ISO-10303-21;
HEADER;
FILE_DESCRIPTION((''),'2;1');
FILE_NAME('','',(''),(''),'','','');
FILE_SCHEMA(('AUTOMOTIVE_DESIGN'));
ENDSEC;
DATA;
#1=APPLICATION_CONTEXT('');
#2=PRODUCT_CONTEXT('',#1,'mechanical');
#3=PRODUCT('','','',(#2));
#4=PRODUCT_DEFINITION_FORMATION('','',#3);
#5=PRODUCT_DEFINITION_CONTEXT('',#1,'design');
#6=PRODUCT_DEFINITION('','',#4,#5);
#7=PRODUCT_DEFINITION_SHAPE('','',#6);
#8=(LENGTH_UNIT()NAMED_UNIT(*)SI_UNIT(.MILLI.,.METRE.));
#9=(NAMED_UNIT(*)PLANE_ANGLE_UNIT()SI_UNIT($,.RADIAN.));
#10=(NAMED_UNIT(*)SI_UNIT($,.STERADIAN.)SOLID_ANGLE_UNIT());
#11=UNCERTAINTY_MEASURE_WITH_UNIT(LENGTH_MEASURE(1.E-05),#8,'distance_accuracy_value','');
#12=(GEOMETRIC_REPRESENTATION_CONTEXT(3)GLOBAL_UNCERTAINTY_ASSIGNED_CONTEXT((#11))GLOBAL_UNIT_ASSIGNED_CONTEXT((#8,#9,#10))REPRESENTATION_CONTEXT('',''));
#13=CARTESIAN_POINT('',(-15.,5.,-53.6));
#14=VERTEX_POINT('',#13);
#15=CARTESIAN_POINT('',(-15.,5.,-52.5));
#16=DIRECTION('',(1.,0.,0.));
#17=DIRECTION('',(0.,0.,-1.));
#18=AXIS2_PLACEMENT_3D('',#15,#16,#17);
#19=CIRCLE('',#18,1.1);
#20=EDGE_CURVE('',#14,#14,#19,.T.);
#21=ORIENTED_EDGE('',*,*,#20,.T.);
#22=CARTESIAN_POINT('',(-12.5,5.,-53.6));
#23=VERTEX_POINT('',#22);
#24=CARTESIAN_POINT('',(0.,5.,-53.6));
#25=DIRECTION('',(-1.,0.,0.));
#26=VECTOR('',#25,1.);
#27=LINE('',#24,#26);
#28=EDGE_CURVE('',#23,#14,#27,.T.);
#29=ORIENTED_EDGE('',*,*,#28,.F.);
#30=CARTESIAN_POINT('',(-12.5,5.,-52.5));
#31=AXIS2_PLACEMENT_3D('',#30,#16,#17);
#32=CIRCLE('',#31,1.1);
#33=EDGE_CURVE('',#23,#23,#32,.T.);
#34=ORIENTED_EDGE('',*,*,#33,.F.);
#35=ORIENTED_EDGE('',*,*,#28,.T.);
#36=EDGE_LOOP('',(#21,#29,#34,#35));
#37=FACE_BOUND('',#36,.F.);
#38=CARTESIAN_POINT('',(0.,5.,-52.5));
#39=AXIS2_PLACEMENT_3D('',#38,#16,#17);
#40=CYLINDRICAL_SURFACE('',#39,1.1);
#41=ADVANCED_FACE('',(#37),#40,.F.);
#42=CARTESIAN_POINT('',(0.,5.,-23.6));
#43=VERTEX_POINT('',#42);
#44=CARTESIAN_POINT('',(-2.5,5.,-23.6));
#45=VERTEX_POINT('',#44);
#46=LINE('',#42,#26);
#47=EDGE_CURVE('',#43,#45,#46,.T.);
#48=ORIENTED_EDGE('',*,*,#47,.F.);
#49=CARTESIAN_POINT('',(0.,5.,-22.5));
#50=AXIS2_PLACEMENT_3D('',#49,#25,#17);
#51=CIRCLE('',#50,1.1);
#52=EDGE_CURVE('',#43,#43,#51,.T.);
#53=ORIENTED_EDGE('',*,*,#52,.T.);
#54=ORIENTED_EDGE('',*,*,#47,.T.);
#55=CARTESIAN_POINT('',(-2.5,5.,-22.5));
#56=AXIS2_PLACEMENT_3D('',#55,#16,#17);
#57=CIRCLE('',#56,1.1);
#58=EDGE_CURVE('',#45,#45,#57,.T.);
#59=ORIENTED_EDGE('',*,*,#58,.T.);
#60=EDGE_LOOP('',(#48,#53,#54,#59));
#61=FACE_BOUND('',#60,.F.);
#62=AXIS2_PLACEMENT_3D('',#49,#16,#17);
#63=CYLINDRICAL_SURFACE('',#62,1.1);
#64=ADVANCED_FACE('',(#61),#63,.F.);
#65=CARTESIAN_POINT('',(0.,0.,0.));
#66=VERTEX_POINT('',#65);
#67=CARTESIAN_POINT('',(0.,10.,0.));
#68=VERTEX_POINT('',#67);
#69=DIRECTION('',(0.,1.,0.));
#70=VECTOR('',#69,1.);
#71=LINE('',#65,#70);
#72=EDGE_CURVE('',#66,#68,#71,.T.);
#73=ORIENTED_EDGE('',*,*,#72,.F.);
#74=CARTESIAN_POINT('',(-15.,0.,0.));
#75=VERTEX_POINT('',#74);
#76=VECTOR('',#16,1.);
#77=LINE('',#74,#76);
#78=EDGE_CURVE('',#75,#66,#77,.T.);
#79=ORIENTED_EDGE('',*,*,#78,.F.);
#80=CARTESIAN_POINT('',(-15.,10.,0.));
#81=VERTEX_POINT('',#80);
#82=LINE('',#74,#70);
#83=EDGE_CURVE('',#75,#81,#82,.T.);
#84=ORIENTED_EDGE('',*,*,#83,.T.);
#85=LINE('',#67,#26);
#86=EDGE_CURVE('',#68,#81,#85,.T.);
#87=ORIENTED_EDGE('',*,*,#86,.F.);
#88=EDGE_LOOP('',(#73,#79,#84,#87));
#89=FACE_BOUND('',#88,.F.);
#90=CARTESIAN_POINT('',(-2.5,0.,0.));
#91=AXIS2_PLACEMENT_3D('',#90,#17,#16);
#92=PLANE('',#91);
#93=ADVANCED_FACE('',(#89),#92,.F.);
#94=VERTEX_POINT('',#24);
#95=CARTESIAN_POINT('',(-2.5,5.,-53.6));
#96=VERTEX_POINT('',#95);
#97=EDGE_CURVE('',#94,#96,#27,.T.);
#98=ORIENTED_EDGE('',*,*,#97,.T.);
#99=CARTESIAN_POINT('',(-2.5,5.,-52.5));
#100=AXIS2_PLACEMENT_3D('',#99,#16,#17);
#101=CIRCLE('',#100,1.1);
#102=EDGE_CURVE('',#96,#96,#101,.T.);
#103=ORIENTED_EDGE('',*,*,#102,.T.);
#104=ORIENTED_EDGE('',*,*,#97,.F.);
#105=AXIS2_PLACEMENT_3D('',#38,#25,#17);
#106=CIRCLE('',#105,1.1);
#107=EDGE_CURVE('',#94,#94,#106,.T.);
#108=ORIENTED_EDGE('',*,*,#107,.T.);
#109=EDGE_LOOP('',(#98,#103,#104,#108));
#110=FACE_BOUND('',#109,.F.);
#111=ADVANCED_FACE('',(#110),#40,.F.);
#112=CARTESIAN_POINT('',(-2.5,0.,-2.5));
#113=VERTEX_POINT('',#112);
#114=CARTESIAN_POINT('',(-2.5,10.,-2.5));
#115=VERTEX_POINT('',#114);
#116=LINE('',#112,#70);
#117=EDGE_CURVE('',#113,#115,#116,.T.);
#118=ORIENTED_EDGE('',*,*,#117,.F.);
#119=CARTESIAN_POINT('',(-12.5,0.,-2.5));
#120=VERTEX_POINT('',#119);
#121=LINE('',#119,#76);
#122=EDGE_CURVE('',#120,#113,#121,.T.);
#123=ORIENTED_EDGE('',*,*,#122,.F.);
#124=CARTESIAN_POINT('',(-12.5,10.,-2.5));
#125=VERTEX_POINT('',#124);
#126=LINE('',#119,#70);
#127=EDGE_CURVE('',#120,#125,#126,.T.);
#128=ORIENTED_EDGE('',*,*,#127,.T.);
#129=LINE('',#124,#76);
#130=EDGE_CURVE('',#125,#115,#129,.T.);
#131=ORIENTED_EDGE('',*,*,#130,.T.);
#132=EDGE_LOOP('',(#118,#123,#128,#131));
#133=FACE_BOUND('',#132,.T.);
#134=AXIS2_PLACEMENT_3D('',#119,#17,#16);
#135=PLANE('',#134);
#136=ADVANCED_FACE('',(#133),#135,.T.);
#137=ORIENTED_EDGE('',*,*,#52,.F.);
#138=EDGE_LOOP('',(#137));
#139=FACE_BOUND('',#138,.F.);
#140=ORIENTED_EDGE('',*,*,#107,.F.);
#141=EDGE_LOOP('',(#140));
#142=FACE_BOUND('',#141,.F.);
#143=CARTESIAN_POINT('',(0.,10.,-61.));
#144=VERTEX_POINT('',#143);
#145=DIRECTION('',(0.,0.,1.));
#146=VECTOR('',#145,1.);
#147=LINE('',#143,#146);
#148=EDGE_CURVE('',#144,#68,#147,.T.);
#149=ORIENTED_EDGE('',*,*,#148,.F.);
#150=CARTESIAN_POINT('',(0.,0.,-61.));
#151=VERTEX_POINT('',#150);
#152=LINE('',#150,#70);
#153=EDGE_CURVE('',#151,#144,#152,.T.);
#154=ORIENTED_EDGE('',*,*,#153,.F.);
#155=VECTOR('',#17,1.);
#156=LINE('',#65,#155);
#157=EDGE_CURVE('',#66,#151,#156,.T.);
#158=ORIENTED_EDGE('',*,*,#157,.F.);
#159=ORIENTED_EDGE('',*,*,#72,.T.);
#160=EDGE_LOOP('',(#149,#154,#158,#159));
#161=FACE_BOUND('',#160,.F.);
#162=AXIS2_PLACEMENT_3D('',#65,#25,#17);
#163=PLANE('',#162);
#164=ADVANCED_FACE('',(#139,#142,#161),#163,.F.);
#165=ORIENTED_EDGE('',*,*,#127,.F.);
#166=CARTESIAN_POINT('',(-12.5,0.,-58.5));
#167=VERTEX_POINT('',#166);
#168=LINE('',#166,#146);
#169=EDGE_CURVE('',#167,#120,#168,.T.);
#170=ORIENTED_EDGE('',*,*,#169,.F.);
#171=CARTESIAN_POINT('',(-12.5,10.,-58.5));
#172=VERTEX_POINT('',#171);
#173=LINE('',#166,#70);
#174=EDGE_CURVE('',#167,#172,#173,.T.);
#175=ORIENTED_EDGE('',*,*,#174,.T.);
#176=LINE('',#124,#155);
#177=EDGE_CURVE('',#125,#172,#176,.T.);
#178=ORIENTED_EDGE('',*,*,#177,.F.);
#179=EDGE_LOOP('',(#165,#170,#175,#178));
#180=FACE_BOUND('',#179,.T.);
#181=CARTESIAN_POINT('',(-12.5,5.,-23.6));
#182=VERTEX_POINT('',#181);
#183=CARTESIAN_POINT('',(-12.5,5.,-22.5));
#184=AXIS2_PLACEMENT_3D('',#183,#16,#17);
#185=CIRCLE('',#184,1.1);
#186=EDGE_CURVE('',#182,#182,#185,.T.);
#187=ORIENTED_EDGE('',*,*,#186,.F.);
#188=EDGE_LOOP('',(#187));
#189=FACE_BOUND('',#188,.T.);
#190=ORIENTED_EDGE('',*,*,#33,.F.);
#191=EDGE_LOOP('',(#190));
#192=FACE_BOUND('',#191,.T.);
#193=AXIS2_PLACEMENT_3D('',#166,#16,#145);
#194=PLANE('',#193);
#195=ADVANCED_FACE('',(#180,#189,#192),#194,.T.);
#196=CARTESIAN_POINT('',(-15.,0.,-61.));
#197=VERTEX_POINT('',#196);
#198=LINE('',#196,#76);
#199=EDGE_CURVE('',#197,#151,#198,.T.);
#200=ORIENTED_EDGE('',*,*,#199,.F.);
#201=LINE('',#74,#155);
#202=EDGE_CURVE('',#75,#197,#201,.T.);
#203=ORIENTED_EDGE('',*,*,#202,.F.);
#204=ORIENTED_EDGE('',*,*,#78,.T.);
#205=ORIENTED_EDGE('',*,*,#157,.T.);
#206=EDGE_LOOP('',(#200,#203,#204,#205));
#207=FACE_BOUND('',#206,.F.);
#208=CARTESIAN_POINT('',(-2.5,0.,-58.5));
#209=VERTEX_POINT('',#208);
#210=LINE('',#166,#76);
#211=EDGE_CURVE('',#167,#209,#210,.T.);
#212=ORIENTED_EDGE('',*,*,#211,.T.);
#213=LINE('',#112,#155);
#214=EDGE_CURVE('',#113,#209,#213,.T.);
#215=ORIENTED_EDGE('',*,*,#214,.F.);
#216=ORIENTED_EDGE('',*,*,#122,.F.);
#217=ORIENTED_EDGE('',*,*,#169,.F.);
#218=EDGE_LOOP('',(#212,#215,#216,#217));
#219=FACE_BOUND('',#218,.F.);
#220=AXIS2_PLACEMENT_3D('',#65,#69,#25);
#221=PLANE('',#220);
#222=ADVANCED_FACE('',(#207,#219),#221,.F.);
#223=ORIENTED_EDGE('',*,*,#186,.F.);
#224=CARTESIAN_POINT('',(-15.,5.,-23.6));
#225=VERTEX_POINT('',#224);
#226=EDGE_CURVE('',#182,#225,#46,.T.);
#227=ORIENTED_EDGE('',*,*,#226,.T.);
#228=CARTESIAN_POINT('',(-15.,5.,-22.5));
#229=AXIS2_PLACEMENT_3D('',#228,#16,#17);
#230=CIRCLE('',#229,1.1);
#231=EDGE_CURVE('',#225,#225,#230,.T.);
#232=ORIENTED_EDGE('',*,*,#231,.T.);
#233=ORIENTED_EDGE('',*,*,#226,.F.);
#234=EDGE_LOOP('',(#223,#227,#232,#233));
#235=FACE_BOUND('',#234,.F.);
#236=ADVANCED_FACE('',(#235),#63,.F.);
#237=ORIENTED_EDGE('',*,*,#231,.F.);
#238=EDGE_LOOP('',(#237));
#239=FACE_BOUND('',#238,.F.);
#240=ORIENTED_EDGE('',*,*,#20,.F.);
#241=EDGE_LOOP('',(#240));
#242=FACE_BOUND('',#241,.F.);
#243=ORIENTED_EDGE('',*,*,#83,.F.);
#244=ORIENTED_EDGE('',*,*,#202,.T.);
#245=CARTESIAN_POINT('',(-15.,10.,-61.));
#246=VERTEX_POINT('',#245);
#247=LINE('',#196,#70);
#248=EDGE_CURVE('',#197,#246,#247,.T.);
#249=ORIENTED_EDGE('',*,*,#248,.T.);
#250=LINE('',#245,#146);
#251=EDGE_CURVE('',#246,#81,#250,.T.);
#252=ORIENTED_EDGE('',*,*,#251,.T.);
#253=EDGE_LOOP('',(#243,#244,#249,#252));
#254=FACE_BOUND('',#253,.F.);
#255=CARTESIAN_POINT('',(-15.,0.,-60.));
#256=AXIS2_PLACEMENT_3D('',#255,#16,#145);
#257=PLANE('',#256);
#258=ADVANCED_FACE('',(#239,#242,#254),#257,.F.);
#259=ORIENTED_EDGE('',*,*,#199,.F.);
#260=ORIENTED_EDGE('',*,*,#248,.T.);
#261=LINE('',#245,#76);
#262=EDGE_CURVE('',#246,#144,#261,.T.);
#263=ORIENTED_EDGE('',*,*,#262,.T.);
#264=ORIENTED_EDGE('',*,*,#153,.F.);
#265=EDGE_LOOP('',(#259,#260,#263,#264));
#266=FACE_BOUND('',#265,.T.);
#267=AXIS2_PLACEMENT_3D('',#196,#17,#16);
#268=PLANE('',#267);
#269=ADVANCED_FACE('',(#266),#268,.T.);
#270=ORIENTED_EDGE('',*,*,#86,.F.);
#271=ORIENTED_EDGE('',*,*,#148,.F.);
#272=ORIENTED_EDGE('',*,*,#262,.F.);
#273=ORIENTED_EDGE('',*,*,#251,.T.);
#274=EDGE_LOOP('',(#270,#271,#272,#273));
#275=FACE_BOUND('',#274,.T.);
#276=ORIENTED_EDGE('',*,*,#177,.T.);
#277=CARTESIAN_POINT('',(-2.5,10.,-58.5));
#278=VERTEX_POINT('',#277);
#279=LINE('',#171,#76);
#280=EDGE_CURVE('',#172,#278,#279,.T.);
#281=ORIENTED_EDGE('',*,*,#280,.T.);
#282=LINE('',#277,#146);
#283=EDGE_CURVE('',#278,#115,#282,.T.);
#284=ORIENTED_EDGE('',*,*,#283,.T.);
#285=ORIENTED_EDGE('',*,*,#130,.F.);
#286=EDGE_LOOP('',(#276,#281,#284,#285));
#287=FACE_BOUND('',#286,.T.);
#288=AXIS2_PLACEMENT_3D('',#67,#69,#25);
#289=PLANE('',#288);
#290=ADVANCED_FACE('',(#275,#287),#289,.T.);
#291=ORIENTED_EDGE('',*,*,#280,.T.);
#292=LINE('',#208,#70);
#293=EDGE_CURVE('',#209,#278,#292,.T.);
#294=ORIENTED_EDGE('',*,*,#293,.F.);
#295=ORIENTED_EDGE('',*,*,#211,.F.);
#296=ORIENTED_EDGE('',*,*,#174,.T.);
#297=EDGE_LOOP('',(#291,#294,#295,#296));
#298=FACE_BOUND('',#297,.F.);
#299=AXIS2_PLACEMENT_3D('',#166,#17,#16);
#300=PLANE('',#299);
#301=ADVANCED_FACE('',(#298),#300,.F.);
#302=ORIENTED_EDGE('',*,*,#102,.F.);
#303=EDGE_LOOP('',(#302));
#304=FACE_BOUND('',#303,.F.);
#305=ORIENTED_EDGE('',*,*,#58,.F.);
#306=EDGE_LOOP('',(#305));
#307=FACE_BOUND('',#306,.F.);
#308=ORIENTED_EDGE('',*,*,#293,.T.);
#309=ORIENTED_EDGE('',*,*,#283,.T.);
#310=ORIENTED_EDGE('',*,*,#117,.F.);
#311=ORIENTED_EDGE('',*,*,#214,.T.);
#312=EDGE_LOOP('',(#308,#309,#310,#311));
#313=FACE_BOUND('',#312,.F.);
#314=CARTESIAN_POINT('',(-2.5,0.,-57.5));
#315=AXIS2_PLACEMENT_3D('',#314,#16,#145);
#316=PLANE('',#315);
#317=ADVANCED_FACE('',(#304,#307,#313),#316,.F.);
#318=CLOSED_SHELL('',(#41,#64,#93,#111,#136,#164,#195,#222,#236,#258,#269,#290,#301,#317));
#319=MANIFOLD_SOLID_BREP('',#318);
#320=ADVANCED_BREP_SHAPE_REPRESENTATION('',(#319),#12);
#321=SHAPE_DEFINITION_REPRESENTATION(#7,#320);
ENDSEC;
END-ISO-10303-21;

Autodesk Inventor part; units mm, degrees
ref_plane "YZ Plane" through (0, 0, 0) normal (1, 0, 0) x (0, 1, 0)
ref_plane "XZ Plane" through (0, 0, 0) normal (0, 1, 0) x (-1, 0, 0)
ref_plane "XY Plane" through (0, 0, 0) normal (0, 0, 1) x (1, 0, 0)
sketch "Sketch1" plane through (0, 0, 0) normal (0, 1, 0) x (-1, 0, 0)
  line L0 (0, 0) -> (0, -60)
  line L1 (0, -60) -> (15, -60)
  line L2 (15, -60) -> (15, 0)
  line L3 (15, 0) -> (0, 0)
  line L4 (7.5, -60) -> (12.5, -60)
  line L5 (12.5, -60) -> (12.5, 0)
  line L6 (7.5, -60) -> (2.5, -60)
  line L7 (2.5, -60) -> (2.5, 0)
  line L8 (12.5, 0) -> (12.5, -2.5)
  line L9 (12.5, -2.5) -> (2.5, -2.5)
  line L10 (12.5, -60) -> (12.5, -57.5)
  line L11 (12.5, -57.5) -> (2.5, -57.5)
  line L12 (15, -60) -> (15, -61)
  line L13 (15, -61) -> (0, -61)
  line L14 (0, -61) -> (0, -60)
  line L15 (12.5, -57.5) -> (12.5, -58.5)
  line L16 (12.5, -58.5) -> (2.5, -58.5)
  dimension "d0" = 60
  dimension "d1" = 15
  dimension "d2" = 5
  dimension "d3" = 5
  dimension "d4" = 2.5
  dimension "d5" = 2.5
  dimension "d12" = 1
  dimension "d13" = 1
extrude "Extrusion1" add sketch "Sketch1" along normal blind 10 contours L3 L7 L1 L0 | L1 L12 L13 L14 | L3 L5 L9 L7 | L7 L16 L5 L1 | L3 L2 L1 L5
sketch "Sketch2" plane through (0, 0, 0) normal (1, 0, 0) x (0, 0, -1)
  line L0 (61, 10) -> (0, 10) projected
  line L1 (57.5, 0) -> (57.5, 10) projected
  line L2 (60, 10) -> (57.5, 10)
  line L3 (57.5, 10) -> (57.5, 0)
  line L4 (57.5, 0) -> (47.5, 0)
  line L5 (2.5, 0) -> (58.5, 0) projected
  line L6 (47.5, 0) -> (47.5, 10)
  line L7 (2.5, 10) -> (58.5, 10) projected
  line L8 (47.5, 10) -> (57.5, 10)
  line L9 (47.5, 0) -> (57.5, 10)
  line L10 (47.5, 10) -> (57.5, 0)
  circle A0 centre (52.5, 5) radius 1.1
  line L11 (61, 10) -> (60, 10)
  line L12 (60, 10) -> (57.5, 10)
  line L13 (52.5, 5) -> (0, 5)
  line L14 (0, 0) -> (0, 10) projected
  line L15 (0, 5) -> (2.5, 5)
  line L16 (2.5, 0) -> (2.5, 10) projected
  line L17 (2.5, 5) -> (22.5, 5)
  circle A1 centre (22.5, 5) radius 1.1
  dimension "d8" = 10
  dimension "d14" = 20
  dimension "d15" = 2.2
extrude "Extrusion2" cut sketch "Sketch2" against normal through all contours A0 L10 L9 | L9 L10 A0 | L10 L13 A0 | A0 L9 L10 | L9 A0 L13 | A1 L13 | L13 A1
properties part number "top"
